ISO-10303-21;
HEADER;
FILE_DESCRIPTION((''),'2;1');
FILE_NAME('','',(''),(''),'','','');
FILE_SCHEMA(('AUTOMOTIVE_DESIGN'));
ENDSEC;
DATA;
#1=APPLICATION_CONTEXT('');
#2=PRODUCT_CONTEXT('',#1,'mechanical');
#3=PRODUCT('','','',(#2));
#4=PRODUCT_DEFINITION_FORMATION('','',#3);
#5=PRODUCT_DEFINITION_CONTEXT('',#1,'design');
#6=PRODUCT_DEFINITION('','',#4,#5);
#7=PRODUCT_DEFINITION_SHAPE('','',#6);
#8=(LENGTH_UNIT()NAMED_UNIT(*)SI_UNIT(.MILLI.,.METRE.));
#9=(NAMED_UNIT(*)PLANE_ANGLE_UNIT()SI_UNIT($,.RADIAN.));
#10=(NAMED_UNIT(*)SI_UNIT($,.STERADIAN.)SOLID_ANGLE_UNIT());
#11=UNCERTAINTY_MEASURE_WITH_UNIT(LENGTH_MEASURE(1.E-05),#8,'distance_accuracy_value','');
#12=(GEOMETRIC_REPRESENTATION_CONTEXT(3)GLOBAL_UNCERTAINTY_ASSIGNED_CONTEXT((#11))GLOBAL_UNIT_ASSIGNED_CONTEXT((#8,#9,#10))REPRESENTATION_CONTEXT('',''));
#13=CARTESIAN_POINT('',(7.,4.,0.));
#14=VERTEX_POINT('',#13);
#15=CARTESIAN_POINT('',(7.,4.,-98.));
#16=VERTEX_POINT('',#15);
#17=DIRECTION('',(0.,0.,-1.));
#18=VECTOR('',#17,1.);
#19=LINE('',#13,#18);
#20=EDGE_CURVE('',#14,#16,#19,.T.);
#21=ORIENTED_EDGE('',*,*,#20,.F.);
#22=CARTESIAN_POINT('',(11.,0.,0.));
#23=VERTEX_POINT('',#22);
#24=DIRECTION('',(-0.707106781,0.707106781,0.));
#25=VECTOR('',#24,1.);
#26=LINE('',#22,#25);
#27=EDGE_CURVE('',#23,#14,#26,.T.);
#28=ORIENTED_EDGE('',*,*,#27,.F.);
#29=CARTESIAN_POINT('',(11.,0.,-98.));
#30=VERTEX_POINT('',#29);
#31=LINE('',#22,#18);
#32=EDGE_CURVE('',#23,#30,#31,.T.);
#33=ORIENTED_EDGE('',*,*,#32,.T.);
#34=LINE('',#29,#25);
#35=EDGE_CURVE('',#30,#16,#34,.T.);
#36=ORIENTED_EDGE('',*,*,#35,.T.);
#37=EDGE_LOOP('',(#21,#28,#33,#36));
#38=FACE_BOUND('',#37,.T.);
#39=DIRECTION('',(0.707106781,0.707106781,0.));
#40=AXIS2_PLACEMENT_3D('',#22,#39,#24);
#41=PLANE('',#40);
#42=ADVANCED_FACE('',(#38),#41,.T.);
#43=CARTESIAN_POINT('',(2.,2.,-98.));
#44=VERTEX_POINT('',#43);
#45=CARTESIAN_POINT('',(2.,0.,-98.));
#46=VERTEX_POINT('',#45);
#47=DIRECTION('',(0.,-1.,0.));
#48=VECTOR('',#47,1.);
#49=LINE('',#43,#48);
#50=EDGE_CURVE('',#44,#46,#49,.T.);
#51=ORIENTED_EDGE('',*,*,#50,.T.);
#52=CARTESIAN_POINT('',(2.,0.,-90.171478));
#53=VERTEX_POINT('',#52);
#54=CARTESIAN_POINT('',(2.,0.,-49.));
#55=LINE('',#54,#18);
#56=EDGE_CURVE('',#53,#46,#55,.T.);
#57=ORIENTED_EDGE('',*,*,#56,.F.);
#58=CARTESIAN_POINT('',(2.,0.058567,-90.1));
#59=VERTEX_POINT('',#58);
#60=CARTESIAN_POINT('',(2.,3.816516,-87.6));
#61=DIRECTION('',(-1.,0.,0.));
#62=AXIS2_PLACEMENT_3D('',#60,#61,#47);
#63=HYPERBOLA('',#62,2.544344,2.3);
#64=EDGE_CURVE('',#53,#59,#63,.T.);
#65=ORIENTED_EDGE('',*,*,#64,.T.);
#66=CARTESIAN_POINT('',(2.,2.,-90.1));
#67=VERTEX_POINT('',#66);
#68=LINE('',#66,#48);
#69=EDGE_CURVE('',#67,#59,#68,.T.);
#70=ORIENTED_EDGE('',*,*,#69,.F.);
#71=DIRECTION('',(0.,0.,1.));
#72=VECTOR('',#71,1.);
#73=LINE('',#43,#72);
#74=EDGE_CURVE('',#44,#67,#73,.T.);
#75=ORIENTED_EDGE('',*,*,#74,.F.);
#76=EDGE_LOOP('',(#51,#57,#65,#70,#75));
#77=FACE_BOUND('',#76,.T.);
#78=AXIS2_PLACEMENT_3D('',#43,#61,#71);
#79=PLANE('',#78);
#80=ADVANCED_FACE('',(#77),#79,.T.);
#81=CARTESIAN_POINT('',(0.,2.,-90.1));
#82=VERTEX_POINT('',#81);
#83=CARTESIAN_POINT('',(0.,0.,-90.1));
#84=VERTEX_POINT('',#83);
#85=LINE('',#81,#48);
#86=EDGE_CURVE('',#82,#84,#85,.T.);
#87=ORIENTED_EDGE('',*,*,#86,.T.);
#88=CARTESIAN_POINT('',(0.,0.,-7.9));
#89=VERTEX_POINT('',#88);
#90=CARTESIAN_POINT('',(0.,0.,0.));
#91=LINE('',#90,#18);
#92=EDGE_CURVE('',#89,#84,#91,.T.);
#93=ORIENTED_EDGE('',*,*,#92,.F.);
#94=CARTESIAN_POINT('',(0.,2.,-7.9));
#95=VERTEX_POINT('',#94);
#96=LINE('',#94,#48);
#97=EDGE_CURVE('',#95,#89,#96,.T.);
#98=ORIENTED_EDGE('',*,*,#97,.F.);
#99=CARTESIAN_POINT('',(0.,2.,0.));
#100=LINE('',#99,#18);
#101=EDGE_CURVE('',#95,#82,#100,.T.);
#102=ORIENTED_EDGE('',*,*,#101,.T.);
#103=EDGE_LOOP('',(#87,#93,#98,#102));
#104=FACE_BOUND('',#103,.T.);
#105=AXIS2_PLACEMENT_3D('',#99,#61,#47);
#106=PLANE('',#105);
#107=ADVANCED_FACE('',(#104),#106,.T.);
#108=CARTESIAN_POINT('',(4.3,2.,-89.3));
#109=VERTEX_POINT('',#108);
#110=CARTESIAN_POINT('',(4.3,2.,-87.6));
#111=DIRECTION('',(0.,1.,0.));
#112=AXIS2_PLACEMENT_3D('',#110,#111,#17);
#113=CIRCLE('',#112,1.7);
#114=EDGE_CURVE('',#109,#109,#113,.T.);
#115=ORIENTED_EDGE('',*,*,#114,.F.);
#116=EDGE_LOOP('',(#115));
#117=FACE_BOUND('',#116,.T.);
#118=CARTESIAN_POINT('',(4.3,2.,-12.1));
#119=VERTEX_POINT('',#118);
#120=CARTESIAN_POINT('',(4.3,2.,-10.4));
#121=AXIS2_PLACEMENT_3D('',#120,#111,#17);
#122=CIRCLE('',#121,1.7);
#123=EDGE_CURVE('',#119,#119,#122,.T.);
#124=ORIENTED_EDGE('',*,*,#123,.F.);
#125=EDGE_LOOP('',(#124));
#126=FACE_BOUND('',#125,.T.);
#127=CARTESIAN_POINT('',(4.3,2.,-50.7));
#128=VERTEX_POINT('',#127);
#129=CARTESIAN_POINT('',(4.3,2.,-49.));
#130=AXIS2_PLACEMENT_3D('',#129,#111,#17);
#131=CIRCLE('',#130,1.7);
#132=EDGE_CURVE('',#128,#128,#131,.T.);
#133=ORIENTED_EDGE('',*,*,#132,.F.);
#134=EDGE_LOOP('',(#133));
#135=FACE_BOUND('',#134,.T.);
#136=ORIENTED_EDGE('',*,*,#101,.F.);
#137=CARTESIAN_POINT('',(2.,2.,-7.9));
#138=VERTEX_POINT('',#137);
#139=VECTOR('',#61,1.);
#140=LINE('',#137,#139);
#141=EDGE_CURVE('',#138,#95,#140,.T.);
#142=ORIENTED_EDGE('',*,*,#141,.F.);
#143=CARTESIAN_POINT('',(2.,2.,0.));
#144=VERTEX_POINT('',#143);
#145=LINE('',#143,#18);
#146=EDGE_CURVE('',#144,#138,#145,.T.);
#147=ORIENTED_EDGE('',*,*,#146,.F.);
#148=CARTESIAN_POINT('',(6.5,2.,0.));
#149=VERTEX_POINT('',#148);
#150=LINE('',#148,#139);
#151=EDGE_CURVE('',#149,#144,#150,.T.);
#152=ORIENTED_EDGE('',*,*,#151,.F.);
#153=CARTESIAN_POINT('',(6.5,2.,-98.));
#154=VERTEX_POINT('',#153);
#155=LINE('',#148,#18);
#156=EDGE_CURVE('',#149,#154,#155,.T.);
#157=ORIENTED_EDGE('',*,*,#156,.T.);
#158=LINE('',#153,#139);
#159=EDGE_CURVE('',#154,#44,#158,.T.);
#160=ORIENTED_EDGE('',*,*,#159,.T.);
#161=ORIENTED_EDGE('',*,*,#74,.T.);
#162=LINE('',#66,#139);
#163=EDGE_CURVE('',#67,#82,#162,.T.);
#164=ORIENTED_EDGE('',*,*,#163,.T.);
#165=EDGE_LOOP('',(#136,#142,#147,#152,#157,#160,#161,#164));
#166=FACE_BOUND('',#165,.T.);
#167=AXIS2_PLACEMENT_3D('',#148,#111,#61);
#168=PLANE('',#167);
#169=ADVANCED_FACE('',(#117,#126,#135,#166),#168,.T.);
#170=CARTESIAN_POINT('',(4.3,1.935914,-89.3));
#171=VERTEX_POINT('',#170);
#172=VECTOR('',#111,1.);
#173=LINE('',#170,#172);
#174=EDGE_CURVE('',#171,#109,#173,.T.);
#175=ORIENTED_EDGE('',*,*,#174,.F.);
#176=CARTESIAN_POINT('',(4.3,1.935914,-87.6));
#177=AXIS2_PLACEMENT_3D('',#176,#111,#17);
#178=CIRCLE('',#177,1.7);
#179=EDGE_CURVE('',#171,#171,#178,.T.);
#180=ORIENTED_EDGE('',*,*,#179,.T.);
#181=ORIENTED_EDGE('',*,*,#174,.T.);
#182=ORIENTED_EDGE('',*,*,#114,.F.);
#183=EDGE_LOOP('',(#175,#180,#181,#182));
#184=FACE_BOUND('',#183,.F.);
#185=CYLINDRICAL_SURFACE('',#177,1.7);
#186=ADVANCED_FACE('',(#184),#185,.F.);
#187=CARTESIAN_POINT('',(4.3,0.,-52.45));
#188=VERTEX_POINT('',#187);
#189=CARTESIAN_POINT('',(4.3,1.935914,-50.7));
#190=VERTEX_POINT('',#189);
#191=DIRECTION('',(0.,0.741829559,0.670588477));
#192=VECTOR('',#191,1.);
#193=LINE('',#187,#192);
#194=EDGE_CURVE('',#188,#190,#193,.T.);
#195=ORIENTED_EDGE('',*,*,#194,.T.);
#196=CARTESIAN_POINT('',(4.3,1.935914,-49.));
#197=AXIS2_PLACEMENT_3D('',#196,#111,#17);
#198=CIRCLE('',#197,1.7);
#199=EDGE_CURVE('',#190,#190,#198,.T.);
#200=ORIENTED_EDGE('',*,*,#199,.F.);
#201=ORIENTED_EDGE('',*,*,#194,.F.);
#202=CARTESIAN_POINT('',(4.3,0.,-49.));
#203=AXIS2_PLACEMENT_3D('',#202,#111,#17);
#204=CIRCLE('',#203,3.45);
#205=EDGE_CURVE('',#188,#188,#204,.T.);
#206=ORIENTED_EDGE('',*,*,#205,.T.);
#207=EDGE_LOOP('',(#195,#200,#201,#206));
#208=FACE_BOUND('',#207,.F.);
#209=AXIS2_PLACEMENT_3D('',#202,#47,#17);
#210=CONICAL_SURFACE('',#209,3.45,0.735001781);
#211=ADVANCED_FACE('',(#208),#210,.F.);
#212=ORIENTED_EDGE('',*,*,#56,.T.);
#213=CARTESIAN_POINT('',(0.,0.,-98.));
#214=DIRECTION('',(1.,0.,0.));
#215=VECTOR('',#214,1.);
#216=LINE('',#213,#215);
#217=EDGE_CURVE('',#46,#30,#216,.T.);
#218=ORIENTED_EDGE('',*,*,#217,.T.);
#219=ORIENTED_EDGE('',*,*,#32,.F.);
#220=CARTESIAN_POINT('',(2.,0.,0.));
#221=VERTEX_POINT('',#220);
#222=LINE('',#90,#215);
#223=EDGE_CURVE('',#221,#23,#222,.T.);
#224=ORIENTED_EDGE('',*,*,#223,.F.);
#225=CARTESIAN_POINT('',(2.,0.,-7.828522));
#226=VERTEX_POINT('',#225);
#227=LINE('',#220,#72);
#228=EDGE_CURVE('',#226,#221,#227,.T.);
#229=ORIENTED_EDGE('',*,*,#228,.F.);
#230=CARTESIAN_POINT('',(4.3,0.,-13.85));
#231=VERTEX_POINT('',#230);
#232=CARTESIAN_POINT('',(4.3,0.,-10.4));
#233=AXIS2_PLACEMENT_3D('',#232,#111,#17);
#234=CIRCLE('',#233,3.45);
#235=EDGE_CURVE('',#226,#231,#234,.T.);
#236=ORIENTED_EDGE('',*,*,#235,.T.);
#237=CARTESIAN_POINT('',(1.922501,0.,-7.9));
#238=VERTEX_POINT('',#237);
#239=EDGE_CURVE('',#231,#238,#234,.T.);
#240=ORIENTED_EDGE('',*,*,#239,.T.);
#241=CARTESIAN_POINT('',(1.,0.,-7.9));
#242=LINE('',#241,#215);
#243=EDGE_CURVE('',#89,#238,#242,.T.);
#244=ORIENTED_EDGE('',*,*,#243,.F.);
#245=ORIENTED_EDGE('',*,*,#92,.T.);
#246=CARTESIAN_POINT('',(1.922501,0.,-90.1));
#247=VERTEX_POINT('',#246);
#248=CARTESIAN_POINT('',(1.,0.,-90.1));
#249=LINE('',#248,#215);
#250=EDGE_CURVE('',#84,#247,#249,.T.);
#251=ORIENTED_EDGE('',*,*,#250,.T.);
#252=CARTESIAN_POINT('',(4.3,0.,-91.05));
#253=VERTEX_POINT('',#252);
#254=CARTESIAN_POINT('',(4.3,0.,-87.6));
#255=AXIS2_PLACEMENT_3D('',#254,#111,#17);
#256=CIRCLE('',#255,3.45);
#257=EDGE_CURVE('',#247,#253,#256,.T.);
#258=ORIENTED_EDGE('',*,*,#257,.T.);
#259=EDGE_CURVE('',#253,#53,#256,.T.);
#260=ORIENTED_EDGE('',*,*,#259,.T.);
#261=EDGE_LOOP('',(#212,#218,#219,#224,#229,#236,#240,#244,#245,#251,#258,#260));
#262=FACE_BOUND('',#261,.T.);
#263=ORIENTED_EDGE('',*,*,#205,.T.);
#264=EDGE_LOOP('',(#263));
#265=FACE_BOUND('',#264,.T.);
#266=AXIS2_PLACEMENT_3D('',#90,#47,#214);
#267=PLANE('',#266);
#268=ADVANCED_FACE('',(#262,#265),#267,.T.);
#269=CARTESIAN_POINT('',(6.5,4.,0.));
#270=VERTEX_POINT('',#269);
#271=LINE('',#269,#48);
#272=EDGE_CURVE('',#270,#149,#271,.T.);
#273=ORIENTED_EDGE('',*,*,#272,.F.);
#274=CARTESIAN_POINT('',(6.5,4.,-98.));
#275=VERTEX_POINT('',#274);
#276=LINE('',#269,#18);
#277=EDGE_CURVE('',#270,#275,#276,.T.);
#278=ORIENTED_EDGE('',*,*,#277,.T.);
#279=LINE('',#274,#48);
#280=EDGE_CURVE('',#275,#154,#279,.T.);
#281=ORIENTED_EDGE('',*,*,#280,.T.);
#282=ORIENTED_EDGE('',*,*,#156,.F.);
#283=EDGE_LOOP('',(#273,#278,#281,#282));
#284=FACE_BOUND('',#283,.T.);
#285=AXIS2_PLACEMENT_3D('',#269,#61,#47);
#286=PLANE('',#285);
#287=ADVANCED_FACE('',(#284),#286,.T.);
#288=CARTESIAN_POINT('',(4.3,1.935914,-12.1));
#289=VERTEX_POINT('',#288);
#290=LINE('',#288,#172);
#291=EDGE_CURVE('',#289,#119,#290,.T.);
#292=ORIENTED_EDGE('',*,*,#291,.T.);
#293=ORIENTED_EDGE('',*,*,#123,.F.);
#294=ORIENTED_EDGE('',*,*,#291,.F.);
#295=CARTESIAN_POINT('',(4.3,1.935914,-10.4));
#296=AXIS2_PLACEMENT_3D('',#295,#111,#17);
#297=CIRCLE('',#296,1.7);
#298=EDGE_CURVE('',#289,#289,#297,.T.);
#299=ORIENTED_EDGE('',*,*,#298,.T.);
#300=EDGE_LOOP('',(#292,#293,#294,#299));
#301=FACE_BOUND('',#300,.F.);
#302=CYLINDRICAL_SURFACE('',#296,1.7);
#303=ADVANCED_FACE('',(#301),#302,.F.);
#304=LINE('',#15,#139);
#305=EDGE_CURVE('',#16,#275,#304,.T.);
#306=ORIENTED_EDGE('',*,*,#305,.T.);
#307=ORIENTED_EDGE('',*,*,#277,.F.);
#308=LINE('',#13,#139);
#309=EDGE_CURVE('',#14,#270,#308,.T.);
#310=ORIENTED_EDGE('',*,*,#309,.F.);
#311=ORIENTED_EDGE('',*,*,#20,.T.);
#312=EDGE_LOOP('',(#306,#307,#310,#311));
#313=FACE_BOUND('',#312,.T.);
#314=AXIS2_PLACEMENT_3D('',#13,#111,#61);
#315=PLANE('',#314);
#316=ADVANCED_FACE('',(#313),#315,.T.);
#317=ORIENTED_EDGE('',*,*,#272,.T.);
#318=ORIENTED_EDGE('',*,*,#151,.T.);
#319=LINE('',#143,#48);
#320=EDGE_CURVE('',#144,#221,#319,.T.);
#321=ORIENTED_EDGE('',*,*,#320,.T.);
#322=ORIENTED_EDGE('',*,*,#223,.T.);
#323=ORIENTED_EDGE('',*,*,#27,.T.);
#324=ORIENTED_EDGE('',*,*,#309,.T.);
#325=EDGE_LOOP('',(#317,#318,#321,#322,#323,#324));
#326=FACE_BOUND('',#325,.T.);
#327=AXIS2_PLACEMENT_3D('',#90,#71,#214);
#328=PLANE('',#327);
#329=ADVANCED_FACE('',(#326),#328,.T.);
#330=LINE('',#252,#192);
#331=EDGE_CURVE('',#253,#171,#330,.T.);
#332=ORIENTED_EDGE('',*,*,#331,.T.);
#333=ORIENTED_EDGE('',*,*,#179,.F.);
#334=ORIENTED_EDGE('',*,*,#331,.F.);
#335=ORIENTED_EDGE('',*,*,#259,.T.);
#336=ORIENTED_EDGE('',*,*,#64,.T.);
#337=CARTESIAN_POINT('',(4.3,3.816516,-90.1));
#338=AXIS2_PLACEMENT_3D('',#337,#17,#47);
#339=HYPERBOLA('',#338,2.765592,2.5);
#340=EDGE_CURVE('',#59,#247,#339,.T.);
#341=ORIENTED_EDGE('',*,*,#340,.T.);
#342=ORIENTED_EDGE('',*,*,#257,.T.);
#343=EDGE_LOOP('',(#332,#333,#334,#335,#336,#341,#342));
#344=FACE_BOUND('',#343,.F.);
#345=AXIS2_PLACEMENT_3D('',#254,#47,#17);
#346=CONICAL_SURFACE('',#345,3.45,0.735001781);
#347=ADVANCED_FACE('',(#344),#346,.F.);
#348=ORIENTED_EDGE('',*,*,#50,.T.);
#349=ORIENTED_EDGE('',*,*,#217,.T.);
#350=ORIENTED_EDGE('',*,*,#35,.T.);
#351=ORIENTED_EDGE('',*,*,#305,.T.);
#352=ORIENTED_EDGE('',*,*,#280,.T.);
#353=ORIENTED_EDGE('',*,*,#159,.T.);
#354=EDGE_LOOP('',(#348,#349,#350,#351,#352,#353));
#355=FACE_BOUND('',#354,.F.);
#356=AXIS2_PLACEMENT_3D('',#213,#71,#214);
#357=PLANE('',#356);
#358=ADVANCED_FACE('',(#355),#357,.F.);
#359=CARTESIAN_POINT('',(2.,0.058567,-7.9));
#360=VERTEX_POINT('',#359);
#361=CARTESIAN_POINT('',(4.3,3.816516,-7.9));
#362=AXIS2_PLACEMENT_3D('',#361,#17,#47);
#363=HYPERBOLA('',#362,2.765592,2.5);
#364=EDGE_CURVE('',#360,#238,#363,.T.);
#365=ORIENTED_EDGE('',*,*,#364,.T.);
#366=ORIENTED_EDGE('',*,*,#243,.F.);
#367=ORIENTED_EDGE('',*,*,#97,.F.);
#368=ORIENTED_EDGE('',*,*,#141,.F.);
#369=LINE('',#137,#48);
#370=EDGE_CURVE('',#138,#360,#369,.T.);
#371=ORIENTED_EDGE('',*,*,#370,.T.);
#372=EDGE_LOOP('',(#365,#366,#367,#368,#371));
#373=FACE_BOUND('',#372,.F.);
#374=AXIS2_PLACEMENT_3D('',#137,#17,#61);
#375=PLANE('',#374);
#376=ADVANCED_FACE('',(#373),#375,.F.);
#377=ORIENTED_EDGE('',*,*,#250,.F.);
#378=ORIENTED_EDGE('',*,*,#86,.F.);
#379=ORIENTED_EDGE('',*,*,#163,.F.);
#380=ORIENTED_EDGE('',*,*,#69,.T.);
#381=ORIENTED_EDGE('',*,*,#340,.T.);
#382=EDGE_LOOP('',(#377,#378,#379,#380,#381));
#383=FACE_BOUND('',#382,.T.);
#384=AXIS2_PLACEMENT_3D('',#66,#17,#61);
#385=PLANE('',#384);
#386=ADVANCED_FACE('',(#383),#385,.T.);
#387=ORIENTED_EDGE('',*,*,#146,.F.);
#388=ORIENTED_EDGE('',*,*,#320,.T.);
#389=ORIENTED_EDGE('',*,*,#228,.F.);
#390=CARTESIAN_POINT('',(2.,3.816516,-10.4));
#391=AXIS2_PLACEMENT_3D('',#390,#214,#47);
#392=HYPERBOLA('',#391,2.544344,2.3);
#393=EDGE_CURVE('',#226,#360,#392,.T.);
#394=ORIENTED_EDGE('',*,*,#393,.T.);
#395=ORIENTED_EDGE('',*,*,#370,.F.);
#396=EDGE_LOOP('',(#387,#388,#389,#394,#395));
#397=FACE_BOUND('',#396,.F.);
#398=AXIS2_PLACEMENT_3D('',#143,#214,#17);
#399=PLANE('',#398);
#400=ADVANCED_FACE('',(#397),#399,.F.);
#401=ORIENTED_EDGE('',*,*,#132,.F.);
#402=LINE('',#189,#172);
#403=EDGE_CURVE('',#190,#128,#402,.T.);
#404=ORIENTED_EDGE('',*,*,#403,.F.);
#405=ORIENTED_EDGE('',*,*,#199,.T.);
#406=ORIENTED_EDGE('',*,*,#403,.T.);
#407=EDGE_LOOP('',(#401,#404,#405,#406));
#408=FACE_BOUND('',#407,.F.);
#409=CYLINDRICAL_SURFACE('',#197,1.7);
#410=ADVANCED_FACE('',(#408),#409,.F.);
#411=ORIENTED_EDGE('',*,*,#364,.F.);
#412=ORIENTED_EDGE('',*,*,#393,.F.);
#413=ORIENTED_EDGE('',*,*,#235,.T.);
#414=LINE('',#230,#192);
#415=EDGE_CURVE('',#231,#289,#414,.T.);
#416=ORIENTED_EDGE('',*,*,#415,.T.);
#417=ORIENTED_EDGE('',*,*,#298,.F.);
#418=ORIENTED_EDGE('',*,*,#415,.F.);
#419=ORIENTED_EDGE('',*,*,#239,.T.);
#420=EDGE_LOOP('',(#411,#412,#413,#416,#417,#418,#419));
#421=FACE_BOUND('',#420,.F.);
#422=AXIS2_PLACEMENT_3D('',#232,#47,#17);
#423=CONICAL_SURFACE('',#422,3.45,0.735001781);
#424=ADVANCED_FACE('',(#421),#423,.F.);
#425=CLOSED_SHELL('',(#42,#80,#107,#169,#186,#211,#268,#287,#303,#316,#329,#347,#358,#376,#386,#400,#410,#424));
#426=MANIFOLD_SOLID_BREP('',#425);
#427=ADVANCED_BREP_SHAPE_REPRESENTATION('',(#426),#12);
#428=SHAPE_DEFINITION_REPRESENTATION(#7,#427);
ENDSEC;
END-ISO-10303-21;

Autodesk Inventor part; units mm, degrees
ref_plane "YZ Plane" through (0, 0, 0) normal (1, 0, 0) x (0, 1, 0)
ref_plane "XZ Plane" through (0, 0, 0) normal (0, 1, 0) x (-1, 0, 0)
ref_plane "XY Plane" through (0, 0, 0) normal (0, 0, 1) x (1, 0, 0)
sketch "Szkic1" plane through (0, 0, 0) normal (0, 0, 1) x (1, 0, 0)
  line L0 (0, 0) -> (11, 0)
  line L1 (11, 0) -> (7, 4)
  line L2 (7, 4) -> (6.5, 4)
  line L3 (6.5, 4) -> (6.5, 2)
  line L4 (6.5, 2) -> (0, 2)
  line L5 (0, 2) -> (0, 0)
  dimension "d1" = 45
  dimension "d3" = 2
  dimension "d4" = 2
  dimension "d5" = 11
  dimension "d19" = 4.5
extrude "Wyciągnięcie proste1" add sketch "Szkic1" against normal blind 98
sketch "Szkic4" plane through (0, 0, 0) normal (0, -1, 0) x (1, 0, 0)
  line L0 (0, 0) -> (0, -98) construction
  line L1 (0, -49) -> (11, -49) construction
  line L2 (11, 0) -> (11, -98) construction
  line L3 (4.3, -10.4) -> (4.3, -49) construction
  line L4 (6.5, 0) -> (6.5, -98) construction
  point P0 (4.3, -87.6)
  dimension "d10" = 2.2
  dimension "d11" = 38.6
hole "Otwór1" at (4.3, 0, -10.4) at (4.3, 0, -49) at (4.3, 0, -87.6) direction (0, 1, 0) diameter 3.4 end through all countersink diameter 6.9 countersink angle 84.225
sketch "Szkic5" plane through (0, 2, 0) normal (0, 1, 0) x (1, 0, 0)
  line L0 (0, 0) -> (11, 0) projected
  line L1 (0, 0) -> (2, 0)
  line L2 (2, 0) -> (2, 7.9)
  line L3 (2, 7.9) -> (0, 7.9)
  line L4 (0, 7.9) -> (0, 0)
  line L5 (0, 0) -> (0, 98) construction
  line L6 (0, 49) -> (11, 49) construction
  line L7 (11, 0) -> (11, 98) construction
  line L8 (6.5, 0) -> (6.5, 98) construction
  line L9 (0, 98) -> (2, 98)
  line L10 (2, 98) -> (2, 90.1)
  line L11 (2, 90.1) -> (0, 90.1)
  line L12 (0, 90.1) -> (0, 98)
  dimension "d20" = 4.5
  dimension "d21" = 7.9
extrude "Wyciągnięcie proste2" cut sketch "Szkic5" against normal through all
properties part number "Plug"
